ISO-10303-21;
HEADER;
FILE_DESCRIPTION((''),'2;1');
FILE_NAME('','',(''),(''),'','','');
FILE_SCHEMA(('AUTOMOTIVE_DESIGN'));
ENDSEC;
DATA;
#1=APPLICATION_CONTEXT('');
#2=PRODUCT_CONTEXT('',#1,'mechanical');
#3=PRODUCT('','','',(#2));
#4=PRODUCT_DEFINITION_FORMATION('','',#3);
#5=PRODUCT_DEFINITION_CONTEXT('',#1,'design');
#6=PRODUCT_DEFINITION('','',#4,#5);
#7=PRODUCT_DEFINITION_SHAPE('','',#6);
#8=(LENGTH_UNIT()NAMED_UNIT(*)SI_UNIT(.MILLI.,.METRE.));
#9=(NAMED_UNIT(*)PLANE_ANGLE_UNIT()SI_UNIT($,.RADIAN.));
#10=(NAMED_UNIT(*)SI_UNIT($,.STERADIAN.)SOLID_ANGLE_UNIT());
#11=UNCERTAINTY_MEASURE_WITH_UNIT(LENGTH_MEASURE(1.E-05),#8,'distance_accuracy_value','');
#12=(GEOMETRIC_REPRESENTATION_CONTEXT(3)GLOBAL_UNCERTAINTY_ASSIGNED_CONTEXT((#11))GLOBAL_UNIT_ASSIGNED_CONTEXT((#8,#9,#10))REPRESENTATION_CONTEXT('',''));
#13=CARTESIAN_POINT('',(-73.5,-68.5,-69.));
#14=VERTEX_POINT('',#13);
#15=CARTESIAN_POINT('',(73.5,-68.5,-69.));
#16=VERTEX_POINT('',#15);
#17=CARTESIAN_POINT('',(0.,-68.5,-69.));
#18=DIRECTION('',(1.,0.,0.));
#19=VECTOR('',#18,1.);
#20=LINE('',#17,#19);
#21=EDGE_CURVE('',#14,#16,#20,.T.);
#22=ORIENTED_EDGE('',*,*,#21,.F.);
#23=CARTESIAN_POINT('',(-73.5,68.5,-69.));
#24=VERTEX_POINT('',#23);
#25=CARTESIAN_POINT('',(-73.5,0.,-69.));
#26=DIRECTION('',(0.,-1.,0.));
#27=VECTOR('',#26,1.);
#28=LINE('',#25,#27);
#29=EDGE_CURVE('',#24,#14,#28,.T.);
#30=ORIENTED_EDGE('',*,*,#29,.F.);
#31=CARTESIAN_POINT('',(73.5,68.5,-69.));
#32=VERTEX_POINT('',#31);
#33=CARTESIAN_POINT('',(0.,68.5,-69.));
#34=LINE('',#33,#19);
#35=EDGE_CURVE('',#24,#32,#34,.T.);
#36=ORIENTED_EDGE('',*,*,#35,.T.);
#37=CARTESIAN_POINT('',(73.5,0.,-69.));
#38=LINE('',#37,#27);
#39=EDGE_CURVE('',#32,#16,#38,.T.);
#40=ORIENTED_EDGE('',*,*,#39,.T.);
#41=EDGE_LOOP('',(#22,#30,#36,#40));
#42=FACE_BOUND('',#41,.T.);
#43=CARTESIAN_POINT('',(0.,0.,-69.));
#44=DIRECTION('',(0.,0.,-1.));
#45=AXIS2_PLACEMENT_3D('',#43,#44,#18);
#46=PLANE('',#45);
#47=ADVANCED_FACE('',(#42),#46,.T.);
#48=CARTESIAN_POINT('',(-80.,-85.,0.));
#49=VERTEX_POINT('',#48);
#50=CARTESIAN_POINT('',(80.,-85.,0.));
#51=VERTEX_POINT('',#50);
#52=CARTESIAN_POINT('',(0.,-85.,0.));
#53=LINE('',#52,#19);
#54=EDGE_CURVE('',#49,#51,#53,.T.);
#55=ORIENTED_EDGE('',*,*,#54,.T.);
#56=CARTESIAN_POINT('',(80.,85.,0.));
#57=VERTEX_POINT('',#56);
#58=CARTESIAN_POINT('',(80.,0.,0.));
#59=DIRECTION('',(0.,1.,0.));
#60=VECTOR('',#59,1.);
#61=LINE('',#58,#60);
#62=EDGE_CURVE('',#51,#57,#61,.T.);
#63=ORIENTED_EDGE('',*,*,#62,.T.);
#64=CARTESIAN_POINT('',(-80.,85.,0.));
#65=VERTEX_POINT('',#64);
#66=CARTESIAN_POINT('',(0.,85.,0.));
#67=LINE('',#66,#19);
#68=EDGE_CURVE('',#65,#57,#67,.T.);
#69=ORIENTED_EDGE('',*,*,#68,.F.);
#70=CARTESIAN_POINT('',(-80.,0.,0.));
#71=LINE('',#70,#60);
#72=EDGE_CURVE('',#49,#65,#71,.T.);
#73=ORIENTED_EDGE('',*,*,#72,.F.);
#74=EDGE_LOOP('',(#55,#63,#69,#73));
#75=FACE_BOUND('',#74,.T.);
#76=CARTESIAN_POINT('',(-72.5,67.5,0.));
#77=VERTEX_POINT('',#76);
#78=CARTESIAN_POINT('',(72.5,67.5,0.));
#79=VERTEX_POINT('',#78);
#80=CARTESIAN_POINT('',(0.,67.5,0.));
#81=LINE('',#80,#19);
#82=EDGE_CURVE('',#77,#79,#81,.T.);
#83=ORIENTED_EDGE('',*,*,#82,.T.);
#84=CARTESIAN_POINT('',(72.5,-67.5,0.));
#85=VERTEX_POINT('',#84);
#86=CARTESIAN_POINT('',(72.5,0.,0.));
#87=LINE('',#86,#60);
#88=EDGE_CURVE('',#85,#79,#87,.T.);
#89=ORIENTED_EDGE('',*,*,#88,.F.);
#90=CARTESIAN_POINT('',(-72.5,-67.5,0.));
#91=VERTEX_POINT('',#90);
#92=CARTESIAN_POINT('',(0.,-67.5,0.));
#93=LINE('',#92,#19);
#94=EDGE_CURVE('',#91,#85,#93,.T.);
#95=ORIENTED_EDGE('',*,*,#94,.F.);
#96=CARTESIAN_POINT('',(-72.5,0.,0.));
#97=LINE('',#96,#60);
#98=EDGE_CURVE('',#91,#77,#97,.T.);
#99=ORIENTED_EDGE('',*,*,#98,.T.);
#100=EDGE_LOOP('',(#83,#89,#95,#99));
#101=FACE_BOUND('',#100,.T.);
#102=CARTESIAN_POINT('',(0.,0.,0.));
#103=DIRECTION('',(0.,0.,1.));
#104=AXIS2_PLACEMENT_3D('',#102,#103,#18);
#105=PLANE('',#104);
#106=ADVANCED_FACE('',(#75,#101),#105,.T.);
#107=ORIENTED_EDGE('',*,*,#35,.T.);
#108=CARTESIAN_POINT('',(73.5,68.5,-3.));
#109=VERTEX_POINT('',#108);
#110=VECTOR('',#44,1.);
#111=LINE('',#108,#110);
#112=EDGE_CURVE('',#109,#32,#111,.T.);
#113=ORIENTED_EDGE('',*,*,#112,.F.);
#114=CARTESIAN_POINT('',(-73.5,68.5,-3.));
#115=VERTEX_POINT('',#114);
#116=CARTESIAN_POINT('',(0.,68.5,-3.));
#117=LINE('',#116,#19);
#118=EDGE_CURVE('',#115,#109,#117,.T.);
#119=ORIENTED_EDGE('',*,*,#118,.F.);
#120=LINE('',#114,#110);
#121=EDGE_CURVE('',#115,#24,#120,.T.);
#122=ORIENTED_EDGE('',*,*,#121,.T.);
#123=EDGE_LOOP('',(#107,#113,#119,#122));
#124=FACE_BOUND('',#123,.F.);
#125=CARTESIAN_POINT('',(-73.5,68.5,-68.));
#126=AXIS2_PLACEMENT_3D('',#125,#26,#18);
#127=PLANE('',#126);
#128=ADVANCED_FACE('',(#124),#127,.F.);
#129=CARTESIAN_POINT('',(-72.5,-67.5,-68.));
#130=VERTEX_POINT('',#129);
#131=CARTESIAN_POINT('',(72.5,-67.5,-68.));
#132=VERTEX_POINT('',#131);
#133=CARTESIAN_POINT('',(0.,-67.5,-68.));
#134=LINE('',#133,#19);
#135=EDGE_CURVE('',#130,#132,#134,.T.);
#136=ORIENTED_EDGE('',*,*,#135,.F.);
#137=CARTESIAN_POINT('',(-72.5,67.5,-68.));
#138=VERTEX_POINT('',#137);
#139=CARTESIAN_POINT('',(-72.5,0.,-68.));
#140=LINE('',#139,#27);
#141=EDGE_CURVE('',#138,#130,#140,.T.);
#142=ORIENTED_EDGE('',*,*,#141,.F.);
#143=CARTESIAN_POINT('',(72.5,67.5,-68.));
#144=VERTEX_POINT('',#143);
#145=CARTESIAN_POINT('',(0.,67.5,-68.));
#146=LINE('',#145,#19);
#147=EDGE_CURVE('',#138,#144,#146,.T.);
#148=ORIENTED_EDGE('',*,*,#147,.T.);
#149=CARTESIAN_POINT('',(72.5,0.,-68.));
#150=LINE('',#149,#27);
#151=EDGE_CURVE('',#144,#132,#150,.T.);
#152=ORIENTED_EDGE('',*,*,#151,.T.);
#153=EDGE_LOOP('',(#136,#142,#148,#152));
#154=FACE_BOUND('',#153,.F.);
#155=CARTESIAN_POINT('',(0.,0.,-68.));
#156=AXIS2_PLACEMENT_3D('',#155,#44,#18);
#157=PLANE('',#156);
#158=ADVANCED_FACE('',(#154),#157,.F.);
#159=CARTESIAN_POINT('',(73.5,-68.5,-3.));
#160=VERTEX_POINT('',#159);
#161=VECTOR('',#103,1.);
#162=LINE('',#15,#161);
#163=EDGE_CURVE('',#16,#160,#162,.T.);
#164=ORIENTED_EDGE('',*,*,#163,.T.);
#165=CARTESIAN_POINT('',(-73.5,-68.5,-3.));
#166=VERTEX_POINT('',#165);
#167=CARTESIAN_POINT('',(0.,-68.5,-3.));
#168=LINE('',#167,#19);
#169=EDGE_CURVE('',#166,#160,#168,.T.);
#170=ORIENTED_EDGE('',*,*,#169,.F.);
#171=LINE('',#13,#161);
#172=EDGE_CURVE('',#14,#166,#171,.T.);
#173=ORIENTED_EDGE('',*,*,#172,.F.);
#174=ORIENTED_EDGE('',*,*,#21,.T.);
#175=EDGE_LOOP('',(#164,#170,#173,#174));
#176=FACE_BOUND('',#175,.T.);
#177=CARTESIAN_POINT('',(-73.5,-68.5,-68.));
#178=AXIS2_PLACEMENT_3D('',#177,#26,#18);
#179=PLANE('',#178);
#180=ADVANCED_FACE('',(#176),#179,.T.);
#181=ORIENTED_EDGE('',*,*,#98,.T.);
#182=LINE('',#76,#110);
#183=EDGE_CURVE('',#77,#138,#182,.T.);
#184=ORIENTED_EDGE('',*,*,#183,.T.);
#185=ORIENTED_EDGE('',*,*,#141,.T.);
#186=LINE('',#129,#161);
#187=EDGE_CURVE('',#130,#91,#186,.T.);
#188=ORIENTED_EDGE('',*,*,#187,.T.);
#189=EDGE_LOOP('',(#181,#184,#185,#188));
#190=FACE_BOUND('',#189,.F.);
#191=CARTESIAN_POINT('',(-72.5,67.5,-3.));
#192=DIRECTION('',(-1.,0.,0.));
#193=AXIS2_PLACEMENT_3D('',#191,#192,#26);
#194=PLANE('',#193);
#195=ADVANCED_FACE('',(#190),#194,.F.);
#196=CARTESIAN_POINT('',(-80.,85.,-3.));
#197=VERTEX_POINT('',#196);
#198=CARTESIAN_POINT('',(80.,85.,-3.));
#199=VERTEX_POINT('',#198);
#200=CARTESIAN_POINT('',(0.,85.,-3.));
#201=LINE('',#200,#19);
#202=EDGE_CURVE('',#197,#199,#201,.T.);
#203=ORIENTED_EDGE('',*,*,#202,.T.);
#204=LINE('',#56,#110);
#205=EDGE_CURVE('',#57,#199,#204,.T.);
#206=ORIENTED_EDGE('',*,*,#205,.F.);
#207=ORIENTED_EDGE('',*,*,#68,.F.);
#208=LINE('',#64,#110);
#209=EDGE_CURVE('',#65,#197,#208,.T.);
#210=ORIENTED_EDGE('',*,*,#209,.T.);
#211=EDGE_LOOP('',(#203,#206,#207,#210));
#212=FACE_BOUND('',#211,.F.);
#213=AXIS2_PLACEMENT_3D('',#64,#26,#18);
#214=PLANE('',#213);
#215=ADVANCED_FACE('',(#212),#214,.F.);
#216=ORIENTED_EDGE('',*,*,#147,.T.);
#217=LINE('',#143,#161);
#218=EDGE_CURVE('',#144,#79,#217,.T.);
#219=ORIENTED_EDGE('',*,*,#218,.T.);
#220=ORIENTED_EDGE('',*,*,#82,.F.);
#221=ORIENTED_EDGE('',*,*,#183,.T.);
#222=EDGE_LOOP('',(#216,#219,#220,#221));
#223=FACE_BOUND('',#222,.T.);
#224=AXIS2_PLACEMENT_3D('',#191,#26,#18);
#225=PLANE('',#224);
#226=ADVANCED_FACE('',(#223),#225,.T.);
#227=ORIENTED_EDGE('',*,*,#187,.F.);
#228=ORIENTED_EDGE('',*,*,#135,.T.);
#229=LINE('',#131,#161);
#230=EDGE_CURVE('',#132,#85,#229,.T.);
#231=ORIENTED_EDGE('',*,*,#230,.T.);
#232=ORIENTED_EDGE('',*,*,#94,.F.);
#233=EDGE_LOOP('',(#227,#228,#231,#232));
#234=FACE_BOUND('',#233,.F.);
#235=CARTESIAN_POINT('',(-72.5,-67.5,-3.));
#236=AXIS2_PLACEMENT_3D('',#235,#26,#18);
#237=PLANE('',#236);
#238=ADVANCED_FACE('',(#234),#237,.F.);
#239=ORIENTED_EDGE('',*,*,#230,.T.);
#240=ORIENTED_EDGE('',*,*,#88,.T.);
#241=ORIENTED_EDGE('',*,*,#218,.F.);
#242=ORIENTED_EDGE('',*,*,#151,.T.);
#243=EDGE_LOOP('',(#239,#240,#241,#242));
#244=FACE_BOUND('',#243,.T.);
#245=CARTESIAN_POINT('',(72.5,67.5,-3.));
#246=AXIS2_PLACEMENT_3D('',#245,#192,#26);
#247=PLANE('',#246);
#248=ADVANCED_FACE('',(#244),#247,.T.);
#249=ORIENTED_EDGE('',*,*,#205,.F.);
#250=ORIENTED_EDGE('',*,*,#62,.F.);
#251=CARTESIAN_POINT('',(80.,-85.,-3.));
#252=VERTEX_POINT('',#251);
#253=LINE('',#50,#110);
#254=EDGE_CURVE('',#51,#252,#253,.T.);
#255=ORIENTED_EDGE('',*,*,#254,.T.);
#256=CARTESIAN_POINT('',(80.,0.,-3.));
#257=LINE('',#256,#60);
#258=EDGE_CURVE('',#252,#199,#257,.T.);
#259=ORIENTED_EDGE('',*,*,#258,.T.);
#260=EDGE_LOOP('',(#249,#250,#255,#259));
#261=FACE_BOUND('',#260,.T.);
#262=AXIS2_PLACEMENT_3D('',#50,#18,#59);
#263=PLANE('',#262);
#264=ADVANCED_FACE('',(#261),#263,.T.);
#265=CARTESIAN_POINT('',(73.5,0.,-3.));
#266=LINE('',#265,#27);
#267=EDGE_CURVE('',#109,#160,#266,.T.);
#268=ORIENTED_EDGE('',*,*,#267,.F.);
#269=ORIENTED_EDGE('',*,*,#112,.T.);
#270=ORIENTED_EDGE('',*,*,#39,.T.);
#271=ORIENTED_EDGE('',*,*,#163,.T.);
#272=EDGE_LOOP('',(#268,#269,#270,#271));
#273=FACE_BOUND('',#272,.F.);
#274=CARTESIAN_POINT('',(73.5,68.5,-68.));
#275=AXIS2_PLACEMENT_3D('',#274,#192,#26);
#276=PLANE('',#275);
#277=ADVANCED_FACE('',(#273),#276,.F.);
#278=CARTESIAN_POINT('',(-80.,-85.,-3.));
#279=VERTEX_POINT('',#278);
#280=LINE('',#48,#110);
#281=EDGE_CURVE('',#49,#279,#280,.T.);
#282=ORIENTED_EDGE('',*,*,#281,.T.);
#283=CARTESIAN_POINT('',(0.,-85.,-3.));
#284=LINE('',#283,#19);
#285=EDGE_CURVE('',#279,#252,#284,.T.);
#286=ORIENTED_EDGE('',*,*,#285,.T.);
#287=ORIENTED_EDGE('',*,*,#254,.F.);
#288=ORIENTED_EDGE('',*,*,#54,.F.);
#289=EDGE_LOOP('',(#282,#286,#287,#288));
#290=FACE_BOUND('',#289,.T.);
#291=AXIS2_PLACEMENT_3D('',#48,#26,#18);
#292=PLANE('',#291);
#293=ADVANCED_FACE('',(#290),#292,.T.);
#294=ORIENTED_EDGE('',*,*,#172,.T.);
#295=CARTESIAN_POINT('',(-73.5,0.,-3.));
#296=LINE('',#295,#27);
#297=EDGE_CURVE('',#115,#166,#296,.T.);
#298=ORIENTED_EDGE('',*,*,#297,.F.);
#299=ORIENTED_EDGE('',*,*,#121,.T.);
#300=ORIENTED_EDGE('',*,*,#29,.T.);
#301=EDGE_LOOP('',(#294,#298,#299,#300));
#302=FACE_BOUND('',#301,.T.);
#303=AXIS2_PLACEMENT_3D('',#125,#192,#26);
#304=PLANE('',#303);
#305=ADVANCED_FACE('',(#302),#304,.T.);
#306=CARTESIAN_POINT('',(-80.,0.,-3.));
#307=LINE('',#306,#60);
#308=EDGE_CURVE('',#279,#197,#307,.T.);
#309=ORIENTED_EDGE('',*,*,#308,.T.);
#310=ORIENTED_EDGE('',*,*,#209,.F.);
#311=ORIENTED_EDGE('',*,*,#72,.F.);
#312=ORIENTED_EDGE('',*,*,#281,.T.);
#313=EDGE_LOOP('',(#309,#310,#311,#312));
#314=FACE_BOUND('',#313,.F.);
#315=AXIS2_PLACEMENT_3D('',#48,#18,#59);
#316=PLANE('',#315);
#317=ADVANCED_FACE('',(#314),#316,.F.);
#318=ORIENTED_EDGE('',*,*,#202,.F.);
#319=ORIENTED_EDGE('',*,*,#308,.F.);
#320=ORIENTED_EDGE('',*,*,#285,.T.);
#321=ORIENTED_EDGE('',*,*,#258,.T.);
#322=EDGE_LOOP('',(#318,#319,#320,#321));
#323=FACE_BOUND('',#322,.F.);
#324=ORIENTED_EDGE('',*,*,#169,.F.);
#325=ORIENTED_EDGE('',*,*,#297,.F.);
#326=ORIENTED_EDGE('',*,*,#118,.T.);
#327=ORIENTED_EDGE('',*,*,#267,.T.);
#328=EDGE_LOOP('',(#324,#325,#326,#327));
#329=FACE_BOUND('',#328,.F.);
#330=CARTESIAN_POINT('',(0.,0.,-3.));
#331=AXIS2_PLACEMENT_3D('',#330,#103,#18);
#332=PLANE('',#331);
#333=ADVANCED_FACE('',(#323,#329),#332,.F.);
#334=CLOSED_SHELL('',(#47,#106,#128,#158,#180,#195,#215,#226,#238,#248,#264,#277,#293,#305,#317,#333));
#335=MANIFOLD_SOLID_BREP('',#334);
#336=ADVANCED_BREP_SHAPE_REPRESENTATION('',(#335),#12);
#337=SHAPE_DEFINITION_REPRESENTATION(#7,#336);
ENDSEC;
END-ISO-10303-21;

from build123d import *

# Parameters (mm, degrees)
F0_W     = 160
F0_H     = 170
F0_W_2   = 145
F0_H_2   = 135
F1_DEPTH = 3
F2_W     = 147
F2_H     = 137
F2_W_2   = 145
F2_H_2   = 135
F3_DEPTH = 65
F4_W     = 147
F4_H     = 137
F5_DEPTH = 1


with BuildPart() as f1:
    # F0 (on Top) → F1 (new body)
    with BuildSketch(Plane.XY):
        Rectangle(F0_W, F0_H)
        Rectangle(F0_W_2, F0_H_2, mode=Mode.SUBTRACT)
    extrude(amount=-F1_DEPTH)

    # F2 (on face) → F3 (join)
    with BuildSketch(Plane(origin=(0, 0, -3), x_dir=(1, 0, 0), z_dir=(0, 0, -1))):
        Rectangle(F2_W, F2_H)
        Rectangle(F2_W_2, F2_H_2, mode=Mode.SUBTRACT)
    extrude(amount=F3_DEPTH)

    # F4 (on face) → F5 (join)
    with BuildSketch(Plane(origin=(0, 0, -68), x_dir=(1, 0, 0), z_dir=(0, 0, -1))):
        Rectangle(F4_W, F4_H)
    extrude(amount=F5_DEPTH)


solid = f1.part
